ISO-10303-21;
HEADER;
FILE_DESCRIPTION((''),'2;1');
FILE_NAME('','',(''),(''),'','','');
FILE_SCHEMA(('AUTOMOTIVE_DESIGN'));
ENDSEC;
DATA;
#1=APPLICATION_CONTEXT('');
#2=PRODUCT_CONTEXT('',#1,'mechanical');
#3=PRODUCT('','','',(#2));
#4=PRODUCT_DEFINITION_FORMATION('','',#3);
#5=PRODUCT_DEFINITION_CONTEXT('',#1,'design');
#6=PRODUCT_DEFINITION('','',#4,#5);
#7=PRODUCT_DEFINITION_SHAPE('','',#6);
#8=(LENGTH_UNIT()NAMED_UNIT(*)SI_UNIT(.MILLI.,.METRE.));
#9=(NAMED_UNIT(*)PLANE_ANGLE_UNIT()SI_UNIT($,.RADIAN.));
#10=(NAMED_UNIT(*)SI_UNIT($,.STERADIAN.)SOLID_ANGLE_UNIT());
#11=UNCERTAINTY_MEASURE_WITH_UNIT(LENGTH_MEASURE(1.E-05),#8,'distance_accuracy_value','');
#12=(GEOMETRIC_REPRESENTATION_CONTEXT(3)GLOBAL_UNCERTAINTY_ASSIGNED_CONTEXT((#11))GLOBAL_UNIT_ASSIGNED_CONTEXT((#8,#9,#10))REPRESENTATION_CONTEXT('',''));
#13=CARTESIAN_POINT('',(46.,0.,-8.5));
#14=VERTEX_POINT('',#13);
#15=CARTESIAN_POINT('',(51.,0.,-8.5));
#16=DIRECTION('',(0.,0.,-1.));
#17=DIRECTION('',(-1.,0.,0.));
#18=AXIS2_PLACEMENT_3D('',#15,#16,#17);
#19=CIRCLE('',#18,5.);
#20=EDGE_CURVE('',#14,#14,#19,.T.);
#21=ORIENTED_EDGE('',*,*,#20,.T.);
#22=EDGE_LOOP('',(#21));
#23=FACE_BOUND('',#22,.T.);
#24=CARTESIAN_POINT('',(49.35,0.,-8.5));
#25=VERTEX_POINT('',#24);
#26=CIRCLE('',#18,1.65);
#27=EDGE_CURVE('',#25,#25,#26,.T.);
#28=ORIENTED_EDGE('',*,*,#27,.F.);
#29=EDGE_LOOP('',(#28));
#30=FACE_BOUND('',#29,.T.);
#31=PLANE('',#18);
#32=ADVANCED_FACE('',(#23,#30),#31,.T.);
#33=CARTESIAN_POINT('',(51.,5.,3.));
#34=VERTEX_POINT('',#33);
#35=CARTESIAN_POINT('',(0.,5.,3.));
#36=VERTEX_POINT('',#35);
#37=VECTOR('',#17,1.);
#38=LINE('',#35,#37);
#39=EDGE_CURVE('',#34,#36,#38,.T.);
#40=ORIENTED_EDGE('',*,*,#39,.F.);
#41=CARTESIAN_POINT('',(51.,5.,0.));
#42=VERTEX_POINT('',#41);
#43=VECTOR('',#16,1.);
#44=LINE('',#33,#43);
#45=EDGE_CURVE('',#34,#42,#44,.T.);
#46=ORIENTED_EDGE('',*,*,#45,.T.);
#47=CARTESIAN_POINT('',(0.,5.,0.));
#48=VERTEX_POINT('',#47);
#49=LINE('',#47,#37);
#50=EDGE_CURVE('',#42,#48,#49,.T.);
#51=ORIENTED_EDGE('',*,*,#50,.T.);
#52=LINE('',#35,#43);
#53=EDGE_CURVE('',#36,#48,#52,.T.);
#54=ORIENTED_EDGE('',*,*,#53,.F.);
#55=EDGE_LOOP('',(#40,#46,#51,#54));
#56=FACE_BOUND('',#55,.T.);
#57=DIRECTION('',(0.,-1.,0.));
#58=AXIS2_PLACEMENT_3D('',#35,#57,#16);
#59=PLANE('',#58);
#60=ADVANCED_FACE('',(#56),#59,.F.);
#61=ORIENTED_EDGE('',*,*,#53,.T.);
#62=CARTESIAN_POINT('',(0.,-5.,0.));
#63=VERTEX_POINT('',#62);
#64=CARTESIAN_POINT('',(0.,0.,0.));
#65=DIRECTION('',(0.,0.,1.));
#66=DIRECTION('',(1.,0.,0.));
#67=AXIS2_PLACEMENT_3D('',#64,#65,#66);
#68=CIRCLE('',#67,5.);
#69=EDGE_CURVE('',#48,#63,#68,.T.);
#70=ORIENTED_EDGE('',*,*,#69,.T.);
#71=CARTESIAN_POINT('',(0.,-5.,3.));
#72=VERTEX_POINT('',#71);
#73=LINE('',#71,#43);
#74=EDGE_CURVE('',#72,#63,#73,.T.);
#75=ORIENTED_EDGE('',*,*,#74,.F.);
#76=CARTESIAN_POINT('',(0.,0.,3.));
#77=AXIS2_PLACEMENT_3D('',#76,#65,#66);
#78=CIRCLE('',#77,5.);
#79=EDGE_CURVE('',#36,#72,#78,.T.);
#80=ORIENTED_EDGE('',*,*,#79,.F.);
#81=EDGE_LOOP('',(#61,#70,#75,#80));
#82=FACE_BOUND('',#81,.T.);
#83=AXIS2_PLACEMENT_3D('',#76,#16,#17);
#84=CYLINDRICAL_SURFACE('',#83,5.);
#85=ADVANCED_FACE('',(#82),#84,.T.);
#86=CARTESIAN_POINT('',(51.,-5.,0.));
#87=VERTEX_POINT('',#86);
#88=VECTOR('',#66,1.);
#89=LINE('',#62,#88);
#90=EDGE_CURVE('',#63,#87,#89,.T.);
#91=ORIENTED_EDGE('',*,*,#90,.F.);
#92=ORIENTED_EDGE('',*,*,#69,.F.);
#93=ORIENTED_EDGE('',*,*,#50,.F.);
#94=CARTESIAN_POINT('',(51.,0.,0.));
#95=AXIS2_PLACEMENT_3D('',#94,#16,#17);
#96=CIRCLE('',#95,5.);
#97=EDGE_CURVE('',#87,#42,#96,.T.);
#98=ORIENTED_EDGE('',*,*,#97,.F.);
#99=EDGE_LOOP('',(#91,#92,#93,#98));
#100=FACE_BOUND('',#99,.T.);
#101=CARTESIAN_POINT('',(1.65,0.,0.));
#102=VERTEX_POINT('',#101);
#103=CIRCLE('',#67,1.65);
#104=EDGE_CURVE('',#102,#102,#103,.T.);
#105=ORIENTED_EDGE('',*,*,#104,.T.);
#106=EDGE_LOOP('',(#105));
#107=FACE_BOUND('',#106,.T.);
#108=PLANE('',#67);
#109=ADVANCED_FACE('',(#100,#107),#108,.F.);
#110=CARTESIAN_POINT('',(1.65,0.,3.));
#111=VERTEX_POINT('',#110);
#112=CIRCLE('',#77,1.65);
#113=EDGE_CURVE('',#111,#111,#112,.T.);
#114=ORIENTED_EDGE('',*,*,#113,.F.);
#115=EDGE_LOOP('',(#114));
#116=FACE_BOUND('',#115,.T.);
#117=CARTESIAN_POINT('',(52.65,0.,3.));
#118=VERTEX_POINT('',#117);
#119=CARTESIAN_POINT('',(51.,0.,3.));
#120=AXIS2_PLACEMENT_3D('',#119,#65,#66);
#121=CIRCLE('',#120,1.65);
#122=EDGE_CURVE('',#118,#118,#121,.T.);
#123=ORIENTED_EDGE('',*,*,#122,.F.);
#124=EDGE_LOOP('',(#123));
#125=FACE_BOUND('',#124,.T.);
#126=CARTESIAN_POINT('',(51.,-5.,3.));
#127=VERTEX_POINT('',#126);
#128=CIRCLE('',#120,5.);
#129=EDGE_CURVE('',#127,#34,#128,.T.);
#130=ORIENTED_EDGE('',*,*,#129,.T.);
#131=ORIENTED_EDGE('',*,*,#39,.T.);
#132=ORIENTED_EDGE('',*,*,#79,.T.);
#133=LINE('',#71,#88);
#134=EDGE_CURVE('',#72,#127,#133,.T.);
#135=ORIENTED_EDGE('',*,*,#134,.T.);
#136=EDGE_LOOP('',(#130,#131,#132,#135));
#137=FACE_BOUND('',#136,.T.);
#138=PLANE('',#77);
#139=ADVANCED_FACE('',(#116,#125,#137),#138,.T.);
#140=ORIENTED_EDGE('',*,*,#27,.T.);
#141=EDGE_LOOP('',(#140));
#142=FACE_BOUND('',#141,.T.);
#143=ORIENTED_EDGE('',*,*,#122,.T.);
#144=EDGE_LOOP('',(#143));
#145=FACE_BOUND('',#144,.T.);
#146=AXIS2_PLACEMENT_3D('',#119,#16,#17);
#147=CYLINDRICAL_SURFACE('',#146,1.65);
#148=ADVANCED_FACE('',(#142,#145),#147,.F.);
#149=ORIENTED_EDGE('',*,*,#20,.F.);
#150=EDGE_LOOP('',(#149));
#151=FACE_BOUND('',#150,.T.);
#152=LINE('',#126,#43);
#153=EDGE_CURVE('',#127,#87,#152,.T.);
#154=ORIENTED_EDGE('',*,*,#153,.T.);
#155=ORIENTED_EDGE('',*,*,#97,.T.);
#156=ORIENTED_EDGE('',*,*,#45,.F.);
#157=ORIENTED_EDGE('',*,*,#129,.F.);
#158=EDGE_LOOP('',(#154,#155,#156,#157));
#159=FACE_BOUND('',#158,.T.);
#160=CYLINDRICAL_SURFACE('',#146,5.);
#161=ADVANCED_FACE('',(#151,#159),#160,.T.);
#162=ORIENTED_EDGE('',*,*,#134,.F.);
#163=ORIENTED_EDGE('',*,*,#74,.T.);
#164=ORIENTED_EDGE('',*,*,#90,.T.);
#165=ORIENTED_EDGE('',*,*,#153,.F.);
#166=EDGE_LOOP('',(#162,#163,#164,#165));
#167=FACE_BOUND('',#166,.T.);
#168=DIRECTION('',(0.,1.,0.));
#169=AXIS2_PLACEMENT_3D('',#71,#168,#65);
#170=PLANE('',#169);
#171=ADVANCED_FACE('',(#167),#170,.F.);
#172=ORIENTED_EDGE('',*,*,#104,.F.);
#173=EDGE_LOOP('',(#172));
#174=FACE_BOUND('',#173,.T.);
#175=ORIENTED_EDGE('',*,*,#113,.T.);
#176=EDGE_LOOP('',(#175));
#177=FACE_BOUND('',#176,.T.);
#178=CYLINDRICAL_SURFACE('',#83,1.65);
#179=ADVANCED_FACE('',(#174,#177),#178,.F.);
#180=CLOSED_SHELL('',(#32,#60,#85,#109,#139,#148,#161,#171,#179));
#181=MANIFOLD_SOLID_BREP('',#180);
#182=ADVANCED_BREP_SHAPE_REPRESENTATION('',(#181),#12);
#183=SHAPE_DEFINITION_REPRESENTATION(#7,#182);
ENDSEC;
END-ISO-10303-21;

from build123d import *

# Parameters (mm, degrees)
SKETCH_1_R      = 1.65
EXTRUDE_1_DEPTH = 3
SKETCH_2_R      = 5
SKETCH_2_R_2    = 1.65
EXTRUDE_2_DEPTH = 8.5


with BuildPart() as part:
    # 草圖1 → 填料-伸長1 (new body)
    with BuildSketch(Plane.XY):
        with BuildLine():
            Line((0, 5), (51, 5))
            ThreePointArc((51, 5), (56, 0), (51, -5))
            Line((51, -5), (0, -5))
            ThreePointArc((0, -5), (-5, 0), (0, 5))
        make_face()
        Circle(SKETCH_1_R, mode=Mode.SUBTRACT)
        with Locations((51, 0)):
            Circle(SKETCH_1_R, mode=Mode.SUBTRACT)
    extrude(amount=EXTRUDE_1_DEPTH)

    # 草圖2 → 填料-伸長2 (add)
    with BuildSketch(Plane(origin=(0, 0, 0), x_dir=(-1, 0, 0), z_dir=(0, 0, -1))):
        with Locations((-51, 0)):
            Circle(SKETCH_2_R)
        with Locations((-51, 0)):
            Circle(SKETCH_2_R_2, mode=Mode.SUBTRACT)
    extrude(amount=EXTRUDE_2_DEPTH)


solid = part.part
